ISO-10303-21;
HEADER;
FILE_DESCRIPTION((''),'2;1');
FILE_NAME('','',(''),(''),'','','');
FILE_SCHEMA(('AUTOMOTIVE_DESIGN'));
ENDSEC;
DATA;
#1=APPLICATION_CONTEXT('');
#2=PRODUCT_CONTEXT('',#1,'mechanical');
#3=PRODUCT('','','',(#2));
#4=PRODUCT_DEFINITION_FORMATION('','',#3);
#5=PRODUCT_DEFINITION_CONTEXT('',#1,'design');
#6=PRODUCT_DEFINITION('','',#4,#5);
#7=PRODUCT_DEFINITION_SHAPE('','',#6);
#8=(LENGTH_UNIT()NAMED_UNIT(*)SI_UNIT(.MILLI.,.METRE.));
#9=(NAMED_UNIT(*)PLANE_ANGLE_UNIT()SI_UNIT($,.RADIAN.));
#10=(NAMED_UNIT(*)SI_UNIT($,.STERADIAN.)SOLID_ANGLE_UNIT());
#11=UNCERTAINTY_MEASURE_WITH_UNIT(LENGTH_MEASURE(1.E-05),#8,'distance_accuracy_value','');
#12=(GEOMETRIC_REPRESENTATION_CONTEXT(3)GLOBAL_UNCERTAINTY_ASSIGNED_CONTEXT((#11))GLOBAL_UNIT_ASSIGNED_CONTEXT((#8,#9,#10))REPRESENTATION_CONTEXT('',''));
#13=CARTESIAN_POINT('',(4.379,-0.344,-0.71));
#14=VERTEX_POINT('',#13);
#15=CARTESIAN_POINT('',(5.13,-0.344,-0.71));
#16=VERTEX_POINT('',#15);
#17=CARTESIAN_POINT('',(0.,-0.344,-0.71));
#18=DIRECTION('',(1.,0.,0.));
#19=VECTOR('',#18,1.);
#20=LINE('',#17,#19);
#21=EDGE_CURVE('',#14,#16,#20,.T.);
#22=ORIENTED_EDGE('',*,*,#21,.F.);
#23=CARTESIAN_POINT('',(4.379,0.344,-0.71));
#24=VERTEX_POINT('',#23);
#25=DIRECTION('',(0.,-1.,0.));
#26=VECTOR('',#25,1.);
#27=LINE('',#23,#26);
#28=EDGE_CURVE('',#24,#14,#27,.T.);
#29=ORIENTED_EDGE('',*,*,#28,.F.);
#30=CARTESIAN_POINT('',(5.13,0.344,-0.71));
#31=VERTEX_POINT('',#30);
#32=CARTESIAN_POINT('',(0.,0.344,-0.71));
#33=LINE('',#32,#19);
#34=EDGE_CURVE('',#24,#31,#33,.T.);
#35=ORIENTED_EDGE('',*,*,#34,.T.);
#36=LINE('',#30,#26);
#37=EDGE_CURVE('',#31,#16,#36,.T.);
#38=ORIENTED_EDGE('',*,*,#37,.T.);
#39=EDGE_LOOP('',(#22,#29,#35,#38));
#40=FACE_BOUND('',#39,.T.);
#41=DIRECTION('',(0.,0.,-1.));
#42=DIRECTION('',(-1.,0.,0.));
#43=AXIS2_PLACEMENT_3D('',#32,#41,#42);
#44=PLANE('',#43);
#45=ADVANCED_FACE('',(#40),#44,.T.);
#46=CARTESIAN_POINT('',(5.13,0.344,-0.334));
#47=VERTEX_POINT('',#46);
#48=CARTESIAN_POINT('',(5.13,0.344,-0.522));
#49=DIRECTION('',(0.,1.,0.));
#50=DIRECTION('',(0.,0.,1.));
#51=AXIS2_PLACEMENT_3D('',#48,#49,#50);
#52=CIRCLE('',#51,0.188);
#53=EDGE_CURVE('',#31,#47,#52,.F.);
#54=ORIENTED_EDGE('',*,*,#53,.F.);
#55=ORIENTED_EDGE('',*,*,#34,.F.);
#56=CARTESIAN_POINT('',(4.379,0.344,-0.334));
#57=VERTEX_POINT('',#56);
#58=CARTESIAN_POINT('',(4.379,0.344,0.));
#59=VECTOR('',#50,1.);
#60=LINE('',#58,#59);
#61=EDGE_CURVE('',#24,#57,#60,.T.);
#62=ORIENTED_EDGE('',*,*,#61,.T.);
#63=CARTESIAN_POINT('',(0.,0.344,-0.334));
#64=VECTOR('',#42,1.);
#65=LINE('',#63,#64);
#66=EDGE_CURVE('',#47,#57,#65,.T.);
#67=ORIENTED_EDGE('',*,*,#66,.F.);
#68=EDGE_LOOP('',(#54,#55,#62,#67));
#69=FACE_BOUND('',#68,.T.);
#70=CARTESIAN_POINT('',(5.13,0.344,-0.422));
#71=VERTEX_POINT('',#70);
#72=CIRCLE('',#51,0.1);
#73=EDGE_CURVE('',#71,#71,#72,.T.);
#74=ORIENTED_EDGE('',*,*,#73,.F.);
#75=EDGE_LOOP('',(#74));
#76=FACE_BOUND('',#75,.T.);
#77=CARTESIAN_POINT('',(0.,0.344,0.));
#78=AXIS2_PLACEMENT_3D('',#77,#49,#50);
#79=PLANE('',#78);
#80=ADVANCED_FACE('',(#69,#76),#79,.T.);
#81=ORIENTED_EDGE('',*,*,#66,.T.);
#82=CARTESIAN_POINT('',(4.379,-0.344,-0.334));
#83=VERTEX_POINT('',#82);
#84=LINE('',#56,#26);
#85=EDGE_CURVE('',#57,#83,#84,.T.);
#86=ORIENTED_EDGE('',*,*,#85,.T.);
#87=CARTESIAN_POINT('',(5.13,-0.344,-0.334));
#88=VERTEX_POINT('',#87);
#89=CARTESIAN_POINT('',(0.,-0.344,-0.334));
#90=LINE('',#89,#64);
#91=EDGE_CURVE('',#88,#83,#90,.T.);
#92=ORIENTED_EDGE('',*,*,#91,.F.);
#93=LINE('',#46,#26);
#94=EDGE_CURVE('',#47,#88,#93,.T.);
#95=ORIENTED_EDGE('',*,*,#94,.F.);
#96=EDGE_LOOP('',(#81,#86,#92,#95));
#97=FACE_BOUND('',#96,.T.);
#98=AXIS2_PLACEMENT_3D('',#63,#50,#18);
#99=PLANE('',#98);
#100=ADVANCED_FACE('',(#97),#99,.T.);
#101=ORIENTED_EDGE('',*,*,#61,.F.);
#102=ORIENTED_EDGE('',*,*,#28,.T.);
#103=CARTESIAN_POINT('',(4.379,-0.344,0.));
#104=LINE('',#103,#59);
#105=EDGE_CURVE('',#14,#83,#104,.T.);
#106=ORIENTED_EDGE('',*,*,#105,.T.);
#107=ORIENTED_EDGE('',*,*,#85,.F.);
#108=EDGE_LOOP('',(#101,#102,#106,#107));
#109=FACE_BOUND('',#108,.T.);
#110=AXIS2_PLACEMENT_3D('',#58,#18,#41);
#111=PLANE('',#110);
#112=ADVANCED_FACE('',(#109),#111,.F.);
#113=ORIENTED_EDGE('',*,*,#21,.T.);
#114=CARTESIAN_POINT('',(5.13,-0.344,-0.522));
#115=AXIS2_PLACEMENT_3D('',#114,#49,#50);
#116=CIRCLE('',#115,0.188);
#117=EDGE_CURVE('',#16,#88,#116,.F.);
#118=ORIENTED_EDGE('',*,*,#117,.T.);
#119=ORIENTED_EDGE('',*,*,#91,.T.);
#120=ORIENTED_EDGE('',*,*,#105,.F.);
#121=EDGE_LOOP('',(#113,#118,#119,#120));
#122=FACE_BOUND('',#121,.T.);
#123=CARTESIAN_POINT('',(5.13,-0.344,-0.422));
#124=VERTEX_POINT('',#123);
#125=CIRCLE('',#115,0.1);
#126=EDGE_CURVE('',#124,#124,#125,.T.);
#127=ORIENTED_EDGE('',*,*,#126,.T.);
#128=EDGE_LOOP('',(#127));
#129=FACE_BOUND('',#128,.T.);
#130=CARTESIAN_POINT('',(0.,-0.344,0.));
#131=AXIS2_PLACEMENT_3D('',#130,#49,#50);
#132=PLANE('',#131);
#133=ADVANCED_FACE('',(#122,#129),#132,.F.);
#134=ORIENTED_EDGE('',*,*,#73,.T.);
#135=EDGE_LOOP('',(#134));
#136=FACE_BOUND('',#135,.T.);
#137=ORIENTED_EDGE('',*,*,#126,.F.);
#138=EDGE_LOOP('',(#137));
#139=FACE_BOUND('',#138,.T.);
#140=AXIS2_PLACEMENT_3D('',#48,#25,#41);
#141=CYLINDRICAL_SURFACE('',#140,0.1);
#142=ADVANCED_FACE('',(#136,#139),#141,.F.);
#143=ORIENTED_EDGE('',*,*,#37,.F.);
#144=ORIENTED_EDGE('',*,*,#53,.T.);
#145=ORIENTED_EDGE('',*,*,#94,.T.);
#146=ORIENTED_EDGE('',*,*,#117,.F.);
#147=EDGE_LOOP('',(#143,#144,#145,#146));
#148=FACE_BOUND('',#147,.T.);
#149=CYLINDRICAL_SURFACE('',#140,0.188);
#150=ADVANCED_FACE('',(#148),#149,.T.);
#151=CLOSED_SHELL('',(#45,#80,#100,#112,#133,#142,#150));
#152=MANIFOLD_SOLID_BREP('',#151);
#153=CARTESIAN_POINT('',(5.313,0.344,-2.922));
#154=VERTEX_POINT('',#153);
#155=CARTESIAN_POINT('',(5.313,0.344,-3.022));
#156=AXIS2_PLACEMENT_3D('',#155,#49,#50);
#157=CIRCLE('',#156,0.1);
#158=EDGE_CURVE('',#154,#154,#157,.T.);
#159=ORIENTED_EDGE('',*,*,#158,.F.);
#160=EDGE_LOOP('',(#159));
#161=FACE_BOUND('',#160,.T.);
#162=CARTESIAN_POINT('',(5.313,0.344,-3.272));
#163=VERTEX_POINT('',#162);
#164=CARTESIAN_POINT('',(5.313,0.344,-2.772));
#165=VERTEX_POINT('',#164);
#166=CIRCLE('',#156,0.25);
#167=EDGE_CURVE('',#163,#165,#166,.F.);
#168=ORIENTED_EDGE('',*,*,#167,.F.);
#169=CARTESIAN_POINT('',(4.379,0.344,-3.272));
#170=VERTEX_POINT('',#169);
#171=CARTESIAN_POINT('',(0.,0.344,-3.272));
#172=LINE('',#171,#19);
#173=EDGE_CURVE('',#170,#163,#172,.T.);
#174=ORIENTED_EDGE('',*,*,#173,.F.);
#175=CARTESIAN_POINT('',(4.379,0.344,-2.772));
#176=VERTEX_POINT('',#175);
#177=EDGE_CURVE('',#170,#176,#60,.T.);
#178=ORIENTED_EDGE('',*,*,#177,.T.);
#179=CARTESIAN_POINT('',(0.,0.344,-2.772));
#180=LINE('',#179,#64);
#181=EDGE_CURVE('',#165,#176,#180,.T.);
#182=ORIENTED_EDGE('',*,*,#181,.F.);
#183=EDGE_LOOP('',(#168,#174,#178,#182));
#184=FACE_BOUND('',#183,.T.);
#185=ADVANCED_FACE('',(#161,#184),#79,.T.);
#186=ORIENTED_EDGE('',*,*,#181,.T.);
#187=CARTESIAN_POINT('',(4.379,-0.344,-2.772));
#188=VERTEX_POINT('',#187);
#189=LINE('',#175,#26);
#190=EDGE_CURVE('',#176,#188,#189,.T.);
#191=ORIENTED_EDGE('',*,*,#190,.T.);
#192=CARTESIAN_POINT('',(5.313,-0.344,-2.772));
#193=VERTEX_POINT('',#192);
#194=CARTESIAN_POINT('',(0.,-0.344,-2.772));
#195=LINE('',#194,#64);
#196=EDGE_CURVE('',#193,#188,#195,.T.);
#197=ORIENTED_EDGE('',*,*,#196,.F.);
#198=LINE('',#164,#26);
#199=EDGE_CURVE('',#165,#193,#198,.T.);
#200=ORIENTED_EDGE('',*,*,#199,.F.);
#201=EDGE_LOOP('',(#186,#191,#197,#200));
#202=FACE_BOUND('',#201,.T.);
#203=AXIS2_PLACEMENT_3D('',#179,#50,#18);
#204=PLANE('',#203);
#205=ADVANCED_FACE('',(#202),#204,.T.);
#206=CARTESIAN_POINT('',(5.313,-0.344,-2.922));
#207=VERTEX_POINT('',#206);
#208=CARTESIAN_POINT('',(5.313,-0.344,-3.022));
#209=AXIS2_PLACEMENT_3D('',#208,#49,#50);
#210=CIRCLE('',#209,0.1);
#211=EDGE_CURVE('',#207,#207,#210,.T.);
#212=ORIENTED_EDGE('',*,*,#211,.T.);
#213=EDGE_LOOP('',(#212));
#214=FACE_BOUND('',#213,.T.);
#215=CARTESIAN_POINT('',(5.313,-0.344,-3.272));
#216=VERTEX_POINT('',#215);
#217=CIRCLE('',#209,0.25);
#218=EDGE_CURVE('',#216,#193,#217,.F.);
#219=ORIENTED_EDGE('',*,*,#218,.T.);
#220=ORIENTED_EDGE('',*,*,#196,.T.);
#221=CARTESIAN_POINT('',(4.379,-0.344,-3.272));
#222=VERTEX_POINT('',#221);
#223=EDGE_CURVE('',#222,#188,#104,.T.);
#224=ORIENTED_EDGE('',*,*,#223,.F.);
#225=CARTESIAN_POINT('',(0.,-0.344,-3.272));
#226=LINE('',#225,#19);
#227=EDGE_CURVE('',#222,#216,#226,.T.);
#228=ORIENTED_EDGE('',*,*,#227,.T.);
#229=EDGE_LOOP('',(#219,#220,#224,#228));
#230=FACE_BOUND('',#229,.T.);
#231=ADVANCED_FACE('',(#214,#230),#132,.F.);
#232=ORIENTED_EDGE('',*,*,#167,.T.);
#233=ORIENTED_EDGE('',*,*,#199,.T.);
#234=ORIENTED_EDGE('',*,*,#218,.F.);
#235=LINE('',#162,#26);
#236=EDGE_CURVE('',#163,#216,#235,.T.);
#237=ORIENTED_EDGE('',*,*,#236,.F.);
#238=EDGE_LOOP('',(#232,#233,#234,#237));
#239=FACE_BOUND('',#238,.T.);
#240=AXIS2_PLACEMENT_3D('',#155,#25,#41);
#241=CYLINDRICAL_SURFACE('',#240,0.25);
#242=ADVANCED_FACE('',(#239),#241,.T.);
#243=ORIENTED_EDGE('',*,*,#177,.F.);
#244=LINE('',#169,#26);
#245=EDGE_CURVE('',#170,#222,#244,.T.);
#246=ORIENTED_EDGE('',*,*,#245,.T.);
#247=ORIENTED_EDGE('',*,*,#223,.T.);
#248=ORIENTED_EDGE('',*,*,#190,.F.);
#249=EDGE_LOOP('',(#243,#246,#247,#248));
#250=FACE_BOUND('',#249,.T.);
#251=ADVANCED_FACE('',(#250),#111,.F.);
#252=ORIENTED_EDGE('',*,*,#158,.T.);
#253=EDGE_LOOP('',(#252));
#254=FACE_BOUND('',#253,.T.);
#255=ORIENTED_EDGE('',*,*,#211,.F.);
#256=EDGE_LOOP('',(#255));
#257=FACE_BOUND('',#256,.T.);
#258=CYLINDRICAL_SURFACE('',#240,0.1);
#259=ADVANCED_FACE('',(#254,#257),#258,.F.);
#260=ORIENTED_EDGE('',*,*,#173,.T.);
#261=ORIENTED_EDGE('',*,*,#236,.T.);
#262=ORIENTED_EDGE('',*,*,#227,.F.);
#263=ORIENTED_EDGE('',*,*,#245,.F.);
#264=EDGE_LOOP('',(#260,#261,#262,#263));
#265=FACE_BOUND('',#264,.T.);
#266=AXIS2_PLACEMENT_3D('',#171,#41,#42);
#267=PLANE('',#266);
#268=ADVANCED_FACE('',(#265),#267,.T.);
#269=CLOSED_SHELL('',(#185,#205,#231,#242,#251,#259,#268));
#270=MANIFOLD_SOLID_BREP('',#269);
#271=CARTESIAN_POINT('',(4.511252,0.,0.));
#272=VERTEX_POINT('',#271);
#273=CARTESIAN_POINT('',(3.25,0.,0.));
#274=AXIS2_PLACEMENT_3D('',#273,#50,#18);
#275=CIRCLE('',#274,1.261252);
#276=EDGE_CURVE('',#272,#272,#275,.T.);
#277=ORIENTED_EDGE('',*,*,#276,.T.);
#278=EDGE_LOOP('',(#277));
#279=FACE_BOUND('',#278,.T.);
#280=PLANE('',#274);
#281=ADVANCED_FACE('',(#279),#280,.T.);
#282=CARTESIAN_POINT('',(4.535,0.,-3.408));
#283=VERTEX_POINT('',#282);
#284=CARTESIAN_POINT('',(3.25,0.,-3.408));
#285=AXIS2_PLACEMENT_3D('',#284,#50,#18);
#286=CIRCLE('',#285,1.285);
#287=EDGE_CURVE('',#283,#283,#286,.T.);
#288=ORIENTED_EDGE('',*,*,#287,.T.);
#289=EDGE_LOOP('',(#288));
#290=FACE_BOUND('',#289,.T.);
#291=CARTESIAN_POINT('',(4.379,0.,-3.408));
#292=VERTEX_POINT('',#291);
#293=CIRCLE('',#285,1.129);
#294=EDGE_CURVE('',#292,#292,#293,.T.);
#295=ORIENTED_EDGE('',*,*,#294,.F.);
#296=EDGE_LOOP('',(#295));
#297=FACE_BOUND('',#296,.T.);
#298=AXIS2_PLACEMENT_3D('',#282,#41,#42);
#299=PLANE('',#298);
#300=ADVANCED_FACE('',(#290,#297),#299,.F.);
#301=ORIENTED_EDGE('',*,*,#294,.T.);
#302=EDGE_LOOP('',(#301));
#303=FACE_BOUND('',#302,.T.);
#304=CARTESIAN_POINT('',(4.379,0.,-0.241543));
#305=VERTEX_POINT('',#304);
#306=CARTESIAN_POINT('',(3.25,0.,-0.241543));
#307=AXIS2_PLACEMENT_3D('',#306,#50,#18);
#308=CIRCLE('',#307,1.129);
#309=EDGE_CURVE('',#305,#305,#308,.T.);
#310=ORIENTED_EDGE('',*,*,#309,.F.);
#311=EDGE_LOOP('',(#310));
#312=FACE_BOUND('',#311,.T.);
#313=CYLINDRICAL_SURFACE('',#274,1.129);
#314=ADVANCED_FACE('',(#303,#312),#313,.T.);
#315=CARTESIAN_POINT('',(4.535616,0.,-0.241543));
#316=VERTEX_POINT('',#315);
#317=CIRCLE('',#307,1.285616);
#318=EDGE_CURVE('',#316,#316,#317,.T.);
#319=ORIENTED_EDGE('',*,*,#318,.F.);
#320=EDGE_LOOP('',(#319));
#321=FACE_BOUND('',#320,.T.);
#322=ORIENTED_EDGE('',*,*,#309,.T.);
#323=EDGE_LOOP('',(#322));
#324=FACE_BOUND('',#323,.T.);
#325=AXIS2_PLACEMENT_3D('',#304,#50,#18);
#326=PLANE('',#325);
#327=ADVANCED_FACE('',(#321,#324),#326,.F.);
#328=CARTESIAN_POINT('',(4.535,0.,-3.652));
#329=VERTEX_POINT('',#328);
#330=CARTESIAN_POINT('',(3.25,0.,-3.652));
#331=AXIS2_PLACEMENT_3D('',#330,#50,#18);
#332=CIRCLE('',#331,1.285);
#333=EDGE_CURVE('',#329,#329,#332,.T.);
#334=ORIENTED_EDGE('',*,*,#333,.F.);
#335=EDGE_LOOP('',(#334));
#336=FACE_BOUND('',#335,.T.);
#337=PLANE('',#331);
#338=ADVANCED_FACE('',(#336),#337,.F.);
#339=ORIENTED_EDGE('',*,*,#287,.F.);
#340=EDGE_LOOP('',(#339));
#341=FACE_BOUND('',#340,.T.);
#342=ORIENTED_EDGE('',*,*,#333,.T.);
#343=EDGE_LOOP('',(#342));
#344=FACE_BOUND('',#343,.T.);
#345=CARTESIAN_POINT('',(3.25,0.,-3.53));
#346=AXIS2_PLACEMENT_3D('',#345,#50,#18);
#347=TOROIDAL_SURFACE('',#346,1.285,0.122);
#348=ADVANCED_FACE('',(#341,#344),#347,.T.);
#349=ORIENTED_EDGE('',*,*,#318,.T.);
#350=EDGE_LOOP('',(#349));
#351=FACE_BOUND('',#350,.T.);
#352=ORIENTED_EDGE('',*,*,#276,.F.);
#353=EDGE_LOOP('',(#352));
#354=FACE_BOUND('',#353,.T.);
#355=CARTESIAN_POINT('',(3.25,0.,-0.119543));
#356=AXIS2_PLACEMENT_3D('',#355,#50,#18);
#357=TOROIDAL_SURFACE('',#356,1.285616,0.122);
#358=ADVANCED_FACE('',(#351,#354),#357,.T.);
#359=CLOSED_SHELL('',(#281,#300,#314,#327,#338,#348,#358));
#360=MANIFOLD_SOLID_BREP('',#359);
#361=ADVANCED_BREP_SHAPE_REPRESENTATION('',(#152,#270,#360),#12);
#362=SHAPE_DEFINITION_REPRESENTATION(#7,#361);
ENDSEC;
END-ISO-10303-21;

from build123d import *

# Parameters (mm, degrees)
SKETCH3_R             = 0.1
BOSS_EXTRUDE2_DEPTH   = 0.344
BOSS_EXTRUDE2_2_DEPTH = 0.344


with BuildPart() as part:
    # Sketch1 → Revolve3 (revolve)
    with BuildSketch(Plane(origin=(0, 0, 0), x_dir=(1, 0, 0), z_dir=(0, 1, 0))):
        with BuildLine():
            Line((4.535, 3.408), (4.379, 3.408))
            Line((4.379, 3.408), (4.379, 0.24154255))
            Line((4.379, 0.24154255), (4.535615917, 0.24154255))
            ThreePointArc((4.535615917, 0.24154255), (4.657, 0.107299003), (4.511252446, 0))
            Line((4.511252446, 0), (3.25, 0))
            Line((3.25, 0), (3.25, 3.652))
            Line((3.25, 3.652), (4.535, 3.652))
            ThreePointArc((4.535, 3.652), (4.657, 3.53), (4.535, 3.408))
        make_face()
    revolve(axis=Axis((3.25, 0, 0), (0, 0, -1)))


with BuildPart() as body_2:
    # Sketch3 → Boss-Extrude2 (new, symmetric)
    with BuildSketch(Plane(origin=(0, 0, 0), x_dir=(1, 0, 0), z_dir=(0, 1, 0))):
        with BuildLine():
            Line((5.13, 0.71), (4.379, 0.71))
            Line((4.379, 0.71), (4.379, 0.334))
            Line((4.379, 0.334), (5.13, 0.334))
            ThreePointArc((5.13, 0.334), (5.318, 0.522), (5.13, 0.71))
        make_face()
        with Locations(Location((5.13, 0.522, 0), (0, 0, 270))):
            Circle(SKETCH3_R, mode=Mode.SUBTRACT)
    extrude(amount=BOSS_EXTRUDE2_DEPTH, both=True)


with BuildPart() as body_3:
    # Sketch3 → Boss-Extrude2 2 (new, symmetric)
    with BuildSketch(Plane(origin=(0, 0, 0), x_dir=(1, 0, 0), z_dir=(0, 1, 0))):
        with BuildLine():
            Line((5.313, 3.272), (4.379, 3.272))
            Line((4.379, 3.272), (4.379, 2.772))
            Line((4.379, 2.772), (5.313, 2.772))
            ThreePointArc((5.313, 2.772), (5.563, 3.022), (5.313, 3.272))
        make_face()
        with Locations(Location((5.313, 3.022, 0), (0, 0, 270))):
            Circle(SKETCH3_R, mode=Mode.SUBTRACT)
    extrude(amount=BOSS_EXTRUDE2_2_DEPTH, both=True)


solid = Compound([part.part, body_2.part, body_3.part])
